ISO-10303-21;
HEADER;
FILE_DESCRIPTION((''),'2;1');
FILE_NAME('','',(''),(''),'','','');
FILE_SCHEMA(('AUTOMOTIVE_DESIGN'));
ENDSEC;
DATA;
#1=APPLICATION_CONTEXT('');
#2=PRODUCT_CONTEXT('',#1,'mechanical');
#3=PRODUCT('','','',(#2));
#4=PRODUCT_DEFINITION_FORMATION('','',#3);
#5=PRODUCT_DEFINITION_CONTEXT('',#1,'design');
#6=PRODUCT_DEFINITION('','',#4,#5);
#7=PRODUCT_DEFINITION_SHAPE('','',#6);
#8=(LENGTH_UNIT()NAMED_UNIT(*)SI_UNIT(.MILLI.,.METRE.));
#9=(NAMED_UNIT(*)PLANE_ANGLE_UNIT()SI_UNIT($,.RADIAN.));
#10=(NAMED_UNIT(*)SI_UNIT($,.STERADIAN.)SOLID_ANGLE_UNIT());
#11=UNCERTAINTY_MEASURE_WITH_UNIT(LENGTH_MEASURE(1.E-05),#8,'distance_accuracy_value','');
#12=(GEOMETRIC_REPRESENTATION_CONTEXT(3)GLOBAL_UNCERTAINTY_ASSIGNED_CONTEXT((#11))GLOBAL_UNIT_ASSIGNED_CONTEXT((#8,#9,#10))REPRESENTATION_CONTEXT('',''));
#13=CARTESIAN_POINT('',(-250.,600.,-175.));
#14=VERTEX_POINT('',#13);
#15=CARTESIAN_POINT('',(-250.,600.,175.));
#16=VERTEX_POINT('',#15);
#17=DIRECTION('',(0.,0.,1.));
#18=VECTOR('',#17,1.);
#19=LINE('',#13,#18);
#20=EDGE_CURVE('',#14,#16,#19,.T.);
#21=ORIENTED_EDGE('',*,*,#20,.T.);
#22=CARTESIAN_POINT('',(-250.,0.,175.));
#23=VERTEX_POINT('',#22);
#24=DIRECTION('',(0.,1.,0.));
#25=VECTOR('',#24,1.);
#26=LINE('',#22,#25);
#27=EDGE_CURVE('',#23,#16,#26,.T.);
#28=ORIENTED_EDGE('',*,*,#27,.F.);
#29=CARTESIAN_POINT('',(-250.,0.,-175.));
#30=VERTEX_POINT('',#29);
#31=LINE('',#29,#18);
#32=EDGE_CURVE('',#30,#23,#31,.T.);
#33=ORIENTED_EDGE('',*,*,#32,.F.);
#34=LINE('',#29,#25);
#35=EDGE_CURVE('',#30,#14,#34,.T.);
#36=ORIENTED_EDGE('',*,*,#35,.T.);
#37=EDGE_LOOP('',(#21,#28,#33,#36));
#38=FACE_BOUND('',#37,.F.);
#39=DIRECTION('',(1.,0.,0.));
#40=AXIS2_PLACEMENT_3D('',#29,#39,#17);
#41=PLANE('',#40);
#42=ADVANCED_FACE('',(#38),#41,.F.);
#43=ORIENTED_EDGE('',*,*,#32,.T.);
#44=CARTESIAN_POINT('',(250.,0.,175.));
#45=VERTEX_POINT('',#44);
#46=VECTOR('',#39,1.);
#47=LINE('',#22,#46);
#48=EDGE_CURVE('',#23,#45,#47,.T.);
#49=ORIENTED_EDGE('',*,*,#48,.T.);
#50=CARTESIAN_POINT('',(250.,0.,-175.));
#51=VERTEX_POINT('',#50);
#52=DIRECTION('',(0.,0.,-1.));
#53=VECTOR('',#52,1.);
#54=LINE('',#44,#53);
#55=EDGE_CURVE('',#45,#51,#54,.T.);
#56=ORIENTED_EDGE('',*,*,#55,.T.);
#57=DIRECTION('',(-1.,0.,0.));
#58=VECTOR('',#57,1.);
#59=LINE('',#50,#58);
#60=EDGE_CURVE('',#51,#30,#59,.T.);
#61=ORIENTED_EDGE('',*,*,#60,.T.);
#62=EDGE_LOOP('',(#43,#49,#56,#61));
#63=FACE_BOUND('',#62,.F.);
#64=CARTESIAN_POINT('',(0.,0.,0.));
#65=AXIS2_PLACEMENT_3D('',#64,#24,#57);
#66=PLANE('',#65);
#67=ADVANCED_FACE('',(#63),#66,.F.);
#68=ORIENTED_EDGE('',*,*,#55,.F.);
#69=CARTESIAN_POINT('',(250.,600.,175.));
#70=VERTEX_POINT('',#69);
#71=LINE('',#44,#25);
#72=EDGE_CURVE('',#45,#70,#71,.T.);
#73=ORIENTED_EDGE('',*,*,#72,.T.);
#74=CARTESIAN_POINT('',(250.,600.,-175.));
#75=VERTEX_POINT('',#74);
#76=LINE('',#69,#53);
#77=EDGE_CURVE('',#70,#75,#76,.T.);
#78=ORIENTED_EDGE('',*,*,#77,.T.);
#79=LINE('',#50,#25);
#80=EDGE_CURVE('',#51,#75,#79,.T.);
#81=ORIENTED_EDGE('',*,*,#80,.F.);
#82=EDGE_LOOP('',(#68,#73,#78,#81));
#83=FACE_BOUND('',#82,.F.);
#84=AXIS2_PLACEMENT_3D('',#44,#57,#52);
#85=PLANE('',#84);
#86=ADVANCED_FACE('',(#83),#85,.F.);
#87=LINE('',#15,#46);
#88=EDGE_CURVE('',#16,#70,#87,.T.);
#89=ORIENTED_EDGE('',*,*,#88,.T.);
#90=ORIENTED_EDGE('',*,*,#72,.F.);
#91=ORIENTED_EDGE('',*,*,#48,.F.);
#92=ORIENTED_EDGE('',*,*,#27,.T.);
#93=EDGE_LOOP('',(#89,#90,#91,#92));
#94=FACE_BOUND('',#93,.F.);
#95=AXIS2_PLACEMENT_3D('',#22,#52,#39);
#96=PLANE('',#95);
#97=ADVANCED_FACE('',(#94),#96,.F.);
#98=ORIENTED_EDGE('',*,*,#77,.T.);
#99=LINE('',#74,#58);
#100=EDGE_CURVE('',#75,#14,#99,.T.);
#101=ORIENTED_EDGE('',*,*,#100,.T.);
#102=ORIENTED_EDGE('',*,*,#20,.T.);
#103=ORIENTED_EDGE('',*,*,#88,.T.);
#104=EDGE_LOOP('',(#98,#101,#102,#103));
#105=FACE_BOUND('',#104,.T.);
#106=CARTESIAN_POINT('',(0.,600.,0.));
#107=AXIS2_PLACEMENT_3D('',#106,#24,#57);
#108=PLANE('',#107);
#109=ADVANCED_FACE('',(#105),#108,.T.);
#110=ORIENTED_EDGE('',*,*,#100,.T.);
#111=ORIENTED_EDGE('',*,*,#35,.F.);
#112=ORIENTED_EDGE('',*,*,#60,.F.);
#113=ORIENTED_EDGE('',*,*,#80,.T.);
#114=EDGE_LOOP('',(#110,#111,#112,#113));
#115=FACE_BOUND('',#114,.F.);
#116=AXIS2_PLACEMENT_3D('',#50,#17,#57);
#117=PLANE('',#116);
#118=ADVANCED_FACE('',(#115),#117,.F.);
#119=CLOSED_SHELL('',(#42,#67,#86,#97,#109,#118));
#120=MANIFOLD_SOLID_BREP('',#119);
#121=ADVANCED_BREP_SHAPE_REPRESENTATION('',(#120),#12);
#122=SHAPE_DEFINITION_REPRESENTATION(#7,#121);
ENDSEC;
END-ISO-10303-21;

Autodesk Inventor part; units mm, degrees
ref_plane "YZ Plane" through (0, 0, 0) normal (1, 0, 0) x (0, 1, 0)
ref_plane "XZ Plane" through (0, 0, 0) normal (0, 1, 0) x (-1, 0, 0)
ref_plane "XY Plane" through (0, 0, 0) normal (0, 0, 1) x (1, 0, 0)
sketch "Sketch1" plane through (0, 0, 0) normal (0, 1, 0) x (-1, 0, 0)
  line L0 (250, 175) -> (-250, 175)
  line L1 (-250, 175) -> (-250, -175)
  line L2 (-250, -175) -> (250, -175)
  line L3 (250, -175) -> (250, 175)
  line L4 (250, 175) -> (-250, -175) construction
  line L5 (-250, 175) -> (250, -175) construction
  point P0 (0, 0)
  dimension "d0" = 500
  dimension "d1" = 350
extrude "Extrusion1" add sketch "Sketch1" along normal blind 600
properties part number "Compressor"
